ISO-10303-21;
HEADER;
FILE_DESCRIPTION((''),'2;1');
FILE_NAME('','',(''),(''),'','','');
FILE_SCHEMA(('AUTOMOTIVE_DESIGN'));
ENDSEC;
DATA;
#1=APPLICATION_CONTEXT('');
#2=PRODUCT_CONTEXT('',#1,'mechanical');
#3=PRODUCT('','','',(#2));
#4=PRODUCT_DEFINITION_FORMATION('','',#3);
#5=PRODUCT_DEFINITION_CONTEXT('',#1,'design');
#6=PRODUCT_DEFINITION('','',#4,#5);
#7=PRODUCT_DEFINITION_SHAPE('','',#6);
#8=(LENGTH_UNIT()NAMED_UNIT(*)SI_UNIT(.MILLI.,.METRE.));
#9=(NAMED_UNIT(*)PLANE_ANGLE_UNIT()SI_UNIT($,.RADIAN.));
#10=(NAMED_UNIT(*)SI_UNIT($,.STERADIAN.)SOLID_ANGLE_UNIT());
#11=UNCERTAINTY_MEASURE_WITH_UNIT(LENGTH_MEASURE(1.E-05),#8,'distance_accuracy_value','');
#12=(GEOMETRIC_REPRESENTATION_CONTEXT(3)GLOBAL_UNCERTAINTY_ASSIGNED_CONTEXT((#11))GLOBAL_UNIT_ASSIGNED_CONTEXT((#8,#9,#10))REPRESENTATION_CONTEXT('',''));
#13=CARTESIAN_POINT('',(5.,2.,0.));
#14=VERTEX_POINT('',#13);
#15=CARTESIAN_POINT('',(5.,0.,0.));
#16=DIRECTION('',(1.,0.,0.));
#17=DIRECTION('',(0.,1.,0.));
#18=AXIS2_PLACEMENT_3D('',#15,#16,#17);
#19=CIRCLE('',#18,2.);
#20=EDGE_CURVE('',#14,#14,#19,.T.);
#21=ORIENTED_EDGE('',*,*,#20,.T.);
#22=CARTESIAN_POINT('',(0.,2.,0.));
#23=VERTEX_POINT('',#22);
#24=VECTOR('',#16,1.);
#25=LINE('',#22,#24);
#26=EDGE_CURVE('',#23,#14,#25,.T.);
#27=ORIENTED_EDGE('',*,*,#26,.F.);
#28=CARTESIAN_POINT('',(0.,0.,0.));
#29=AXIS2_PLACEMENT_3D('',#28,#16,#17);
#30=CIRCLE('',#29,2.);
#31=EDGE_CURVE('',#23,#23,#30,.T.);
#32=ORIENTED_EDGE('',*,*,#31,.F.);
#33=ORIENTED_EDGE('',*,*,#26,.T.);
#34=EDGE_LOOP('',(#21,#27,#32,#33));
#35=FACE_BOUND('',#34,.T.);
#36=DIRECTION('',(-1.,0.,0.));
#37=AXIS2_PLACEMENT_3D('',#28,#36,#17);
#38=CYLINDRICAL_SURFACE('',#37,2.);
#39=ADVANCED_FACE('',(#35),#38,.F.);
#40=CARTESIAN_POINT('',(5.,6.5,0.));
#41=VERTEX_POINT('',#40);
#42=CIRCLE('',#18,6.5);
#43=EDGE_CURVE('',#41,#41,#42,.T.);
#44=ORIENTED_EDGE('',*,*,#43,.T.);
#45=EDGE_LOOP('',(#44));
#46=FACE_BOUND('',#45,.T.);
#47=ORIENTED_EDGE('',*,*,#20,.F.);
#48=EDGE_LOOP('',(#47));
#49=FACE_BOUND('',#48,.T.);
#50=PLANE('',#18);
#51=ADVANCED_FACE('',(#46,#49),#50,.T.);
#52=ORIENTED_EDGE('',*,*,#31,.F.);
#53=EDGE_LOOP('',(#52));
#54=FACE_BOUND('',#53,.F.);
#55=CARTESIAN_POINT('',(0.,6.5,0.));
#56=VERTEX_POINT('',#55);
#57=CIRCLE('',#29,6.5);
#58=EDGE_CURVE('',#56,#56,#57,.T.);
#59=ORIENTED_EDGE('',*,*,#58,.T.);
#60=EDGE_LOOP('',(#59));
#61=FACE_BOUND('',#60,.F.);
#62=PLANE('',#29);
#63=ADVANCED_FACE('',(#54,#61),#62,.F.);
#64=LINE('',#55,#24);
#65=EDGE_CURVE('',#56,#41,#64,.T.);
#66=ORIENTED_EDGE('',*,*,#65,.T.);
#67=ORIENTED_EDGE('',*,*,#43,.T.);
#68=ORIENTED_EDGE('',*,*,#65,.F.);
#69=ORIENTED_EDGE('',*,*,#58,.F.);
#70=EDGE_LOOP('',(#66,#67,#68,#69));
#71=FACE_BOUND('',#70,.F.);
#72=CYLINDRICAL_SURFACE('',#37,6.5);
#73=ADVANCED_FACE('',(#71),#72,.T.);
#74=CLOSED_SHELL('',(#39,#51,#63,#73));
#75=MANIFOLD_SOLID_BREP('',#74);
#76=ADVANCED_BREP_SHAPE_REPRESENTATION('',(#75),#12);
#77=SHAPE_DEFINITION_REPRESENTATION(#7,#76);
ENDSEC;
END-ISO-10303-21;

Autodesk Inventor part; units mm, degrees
ref_plane "YZ Plane" through (0, 0, 0) normal (1, 0, 0) x (0, 1, 0)
ref_plane "XZ Plane" through (0, 0, 0) normal (0, 1, 0) x (-1, 0, 0)
ref_plane "XY Plane" through (0, 0, 0) normal (0, 0, 1) x (1, 0, 0)
sketch "Sketch1" plane through (0, 0, 0) normal (1, 0, 0) x (0, 1, 0)
  circle A0 centre (0, 0) radius 2
  circle A1 centre (0, 0) radius 6.5
  dimension "d0" = 4
  dimension "d1" = 13
extrude "Extrusion1" add sketch "Sketch1" along normal blind 5
properties part number "624"
